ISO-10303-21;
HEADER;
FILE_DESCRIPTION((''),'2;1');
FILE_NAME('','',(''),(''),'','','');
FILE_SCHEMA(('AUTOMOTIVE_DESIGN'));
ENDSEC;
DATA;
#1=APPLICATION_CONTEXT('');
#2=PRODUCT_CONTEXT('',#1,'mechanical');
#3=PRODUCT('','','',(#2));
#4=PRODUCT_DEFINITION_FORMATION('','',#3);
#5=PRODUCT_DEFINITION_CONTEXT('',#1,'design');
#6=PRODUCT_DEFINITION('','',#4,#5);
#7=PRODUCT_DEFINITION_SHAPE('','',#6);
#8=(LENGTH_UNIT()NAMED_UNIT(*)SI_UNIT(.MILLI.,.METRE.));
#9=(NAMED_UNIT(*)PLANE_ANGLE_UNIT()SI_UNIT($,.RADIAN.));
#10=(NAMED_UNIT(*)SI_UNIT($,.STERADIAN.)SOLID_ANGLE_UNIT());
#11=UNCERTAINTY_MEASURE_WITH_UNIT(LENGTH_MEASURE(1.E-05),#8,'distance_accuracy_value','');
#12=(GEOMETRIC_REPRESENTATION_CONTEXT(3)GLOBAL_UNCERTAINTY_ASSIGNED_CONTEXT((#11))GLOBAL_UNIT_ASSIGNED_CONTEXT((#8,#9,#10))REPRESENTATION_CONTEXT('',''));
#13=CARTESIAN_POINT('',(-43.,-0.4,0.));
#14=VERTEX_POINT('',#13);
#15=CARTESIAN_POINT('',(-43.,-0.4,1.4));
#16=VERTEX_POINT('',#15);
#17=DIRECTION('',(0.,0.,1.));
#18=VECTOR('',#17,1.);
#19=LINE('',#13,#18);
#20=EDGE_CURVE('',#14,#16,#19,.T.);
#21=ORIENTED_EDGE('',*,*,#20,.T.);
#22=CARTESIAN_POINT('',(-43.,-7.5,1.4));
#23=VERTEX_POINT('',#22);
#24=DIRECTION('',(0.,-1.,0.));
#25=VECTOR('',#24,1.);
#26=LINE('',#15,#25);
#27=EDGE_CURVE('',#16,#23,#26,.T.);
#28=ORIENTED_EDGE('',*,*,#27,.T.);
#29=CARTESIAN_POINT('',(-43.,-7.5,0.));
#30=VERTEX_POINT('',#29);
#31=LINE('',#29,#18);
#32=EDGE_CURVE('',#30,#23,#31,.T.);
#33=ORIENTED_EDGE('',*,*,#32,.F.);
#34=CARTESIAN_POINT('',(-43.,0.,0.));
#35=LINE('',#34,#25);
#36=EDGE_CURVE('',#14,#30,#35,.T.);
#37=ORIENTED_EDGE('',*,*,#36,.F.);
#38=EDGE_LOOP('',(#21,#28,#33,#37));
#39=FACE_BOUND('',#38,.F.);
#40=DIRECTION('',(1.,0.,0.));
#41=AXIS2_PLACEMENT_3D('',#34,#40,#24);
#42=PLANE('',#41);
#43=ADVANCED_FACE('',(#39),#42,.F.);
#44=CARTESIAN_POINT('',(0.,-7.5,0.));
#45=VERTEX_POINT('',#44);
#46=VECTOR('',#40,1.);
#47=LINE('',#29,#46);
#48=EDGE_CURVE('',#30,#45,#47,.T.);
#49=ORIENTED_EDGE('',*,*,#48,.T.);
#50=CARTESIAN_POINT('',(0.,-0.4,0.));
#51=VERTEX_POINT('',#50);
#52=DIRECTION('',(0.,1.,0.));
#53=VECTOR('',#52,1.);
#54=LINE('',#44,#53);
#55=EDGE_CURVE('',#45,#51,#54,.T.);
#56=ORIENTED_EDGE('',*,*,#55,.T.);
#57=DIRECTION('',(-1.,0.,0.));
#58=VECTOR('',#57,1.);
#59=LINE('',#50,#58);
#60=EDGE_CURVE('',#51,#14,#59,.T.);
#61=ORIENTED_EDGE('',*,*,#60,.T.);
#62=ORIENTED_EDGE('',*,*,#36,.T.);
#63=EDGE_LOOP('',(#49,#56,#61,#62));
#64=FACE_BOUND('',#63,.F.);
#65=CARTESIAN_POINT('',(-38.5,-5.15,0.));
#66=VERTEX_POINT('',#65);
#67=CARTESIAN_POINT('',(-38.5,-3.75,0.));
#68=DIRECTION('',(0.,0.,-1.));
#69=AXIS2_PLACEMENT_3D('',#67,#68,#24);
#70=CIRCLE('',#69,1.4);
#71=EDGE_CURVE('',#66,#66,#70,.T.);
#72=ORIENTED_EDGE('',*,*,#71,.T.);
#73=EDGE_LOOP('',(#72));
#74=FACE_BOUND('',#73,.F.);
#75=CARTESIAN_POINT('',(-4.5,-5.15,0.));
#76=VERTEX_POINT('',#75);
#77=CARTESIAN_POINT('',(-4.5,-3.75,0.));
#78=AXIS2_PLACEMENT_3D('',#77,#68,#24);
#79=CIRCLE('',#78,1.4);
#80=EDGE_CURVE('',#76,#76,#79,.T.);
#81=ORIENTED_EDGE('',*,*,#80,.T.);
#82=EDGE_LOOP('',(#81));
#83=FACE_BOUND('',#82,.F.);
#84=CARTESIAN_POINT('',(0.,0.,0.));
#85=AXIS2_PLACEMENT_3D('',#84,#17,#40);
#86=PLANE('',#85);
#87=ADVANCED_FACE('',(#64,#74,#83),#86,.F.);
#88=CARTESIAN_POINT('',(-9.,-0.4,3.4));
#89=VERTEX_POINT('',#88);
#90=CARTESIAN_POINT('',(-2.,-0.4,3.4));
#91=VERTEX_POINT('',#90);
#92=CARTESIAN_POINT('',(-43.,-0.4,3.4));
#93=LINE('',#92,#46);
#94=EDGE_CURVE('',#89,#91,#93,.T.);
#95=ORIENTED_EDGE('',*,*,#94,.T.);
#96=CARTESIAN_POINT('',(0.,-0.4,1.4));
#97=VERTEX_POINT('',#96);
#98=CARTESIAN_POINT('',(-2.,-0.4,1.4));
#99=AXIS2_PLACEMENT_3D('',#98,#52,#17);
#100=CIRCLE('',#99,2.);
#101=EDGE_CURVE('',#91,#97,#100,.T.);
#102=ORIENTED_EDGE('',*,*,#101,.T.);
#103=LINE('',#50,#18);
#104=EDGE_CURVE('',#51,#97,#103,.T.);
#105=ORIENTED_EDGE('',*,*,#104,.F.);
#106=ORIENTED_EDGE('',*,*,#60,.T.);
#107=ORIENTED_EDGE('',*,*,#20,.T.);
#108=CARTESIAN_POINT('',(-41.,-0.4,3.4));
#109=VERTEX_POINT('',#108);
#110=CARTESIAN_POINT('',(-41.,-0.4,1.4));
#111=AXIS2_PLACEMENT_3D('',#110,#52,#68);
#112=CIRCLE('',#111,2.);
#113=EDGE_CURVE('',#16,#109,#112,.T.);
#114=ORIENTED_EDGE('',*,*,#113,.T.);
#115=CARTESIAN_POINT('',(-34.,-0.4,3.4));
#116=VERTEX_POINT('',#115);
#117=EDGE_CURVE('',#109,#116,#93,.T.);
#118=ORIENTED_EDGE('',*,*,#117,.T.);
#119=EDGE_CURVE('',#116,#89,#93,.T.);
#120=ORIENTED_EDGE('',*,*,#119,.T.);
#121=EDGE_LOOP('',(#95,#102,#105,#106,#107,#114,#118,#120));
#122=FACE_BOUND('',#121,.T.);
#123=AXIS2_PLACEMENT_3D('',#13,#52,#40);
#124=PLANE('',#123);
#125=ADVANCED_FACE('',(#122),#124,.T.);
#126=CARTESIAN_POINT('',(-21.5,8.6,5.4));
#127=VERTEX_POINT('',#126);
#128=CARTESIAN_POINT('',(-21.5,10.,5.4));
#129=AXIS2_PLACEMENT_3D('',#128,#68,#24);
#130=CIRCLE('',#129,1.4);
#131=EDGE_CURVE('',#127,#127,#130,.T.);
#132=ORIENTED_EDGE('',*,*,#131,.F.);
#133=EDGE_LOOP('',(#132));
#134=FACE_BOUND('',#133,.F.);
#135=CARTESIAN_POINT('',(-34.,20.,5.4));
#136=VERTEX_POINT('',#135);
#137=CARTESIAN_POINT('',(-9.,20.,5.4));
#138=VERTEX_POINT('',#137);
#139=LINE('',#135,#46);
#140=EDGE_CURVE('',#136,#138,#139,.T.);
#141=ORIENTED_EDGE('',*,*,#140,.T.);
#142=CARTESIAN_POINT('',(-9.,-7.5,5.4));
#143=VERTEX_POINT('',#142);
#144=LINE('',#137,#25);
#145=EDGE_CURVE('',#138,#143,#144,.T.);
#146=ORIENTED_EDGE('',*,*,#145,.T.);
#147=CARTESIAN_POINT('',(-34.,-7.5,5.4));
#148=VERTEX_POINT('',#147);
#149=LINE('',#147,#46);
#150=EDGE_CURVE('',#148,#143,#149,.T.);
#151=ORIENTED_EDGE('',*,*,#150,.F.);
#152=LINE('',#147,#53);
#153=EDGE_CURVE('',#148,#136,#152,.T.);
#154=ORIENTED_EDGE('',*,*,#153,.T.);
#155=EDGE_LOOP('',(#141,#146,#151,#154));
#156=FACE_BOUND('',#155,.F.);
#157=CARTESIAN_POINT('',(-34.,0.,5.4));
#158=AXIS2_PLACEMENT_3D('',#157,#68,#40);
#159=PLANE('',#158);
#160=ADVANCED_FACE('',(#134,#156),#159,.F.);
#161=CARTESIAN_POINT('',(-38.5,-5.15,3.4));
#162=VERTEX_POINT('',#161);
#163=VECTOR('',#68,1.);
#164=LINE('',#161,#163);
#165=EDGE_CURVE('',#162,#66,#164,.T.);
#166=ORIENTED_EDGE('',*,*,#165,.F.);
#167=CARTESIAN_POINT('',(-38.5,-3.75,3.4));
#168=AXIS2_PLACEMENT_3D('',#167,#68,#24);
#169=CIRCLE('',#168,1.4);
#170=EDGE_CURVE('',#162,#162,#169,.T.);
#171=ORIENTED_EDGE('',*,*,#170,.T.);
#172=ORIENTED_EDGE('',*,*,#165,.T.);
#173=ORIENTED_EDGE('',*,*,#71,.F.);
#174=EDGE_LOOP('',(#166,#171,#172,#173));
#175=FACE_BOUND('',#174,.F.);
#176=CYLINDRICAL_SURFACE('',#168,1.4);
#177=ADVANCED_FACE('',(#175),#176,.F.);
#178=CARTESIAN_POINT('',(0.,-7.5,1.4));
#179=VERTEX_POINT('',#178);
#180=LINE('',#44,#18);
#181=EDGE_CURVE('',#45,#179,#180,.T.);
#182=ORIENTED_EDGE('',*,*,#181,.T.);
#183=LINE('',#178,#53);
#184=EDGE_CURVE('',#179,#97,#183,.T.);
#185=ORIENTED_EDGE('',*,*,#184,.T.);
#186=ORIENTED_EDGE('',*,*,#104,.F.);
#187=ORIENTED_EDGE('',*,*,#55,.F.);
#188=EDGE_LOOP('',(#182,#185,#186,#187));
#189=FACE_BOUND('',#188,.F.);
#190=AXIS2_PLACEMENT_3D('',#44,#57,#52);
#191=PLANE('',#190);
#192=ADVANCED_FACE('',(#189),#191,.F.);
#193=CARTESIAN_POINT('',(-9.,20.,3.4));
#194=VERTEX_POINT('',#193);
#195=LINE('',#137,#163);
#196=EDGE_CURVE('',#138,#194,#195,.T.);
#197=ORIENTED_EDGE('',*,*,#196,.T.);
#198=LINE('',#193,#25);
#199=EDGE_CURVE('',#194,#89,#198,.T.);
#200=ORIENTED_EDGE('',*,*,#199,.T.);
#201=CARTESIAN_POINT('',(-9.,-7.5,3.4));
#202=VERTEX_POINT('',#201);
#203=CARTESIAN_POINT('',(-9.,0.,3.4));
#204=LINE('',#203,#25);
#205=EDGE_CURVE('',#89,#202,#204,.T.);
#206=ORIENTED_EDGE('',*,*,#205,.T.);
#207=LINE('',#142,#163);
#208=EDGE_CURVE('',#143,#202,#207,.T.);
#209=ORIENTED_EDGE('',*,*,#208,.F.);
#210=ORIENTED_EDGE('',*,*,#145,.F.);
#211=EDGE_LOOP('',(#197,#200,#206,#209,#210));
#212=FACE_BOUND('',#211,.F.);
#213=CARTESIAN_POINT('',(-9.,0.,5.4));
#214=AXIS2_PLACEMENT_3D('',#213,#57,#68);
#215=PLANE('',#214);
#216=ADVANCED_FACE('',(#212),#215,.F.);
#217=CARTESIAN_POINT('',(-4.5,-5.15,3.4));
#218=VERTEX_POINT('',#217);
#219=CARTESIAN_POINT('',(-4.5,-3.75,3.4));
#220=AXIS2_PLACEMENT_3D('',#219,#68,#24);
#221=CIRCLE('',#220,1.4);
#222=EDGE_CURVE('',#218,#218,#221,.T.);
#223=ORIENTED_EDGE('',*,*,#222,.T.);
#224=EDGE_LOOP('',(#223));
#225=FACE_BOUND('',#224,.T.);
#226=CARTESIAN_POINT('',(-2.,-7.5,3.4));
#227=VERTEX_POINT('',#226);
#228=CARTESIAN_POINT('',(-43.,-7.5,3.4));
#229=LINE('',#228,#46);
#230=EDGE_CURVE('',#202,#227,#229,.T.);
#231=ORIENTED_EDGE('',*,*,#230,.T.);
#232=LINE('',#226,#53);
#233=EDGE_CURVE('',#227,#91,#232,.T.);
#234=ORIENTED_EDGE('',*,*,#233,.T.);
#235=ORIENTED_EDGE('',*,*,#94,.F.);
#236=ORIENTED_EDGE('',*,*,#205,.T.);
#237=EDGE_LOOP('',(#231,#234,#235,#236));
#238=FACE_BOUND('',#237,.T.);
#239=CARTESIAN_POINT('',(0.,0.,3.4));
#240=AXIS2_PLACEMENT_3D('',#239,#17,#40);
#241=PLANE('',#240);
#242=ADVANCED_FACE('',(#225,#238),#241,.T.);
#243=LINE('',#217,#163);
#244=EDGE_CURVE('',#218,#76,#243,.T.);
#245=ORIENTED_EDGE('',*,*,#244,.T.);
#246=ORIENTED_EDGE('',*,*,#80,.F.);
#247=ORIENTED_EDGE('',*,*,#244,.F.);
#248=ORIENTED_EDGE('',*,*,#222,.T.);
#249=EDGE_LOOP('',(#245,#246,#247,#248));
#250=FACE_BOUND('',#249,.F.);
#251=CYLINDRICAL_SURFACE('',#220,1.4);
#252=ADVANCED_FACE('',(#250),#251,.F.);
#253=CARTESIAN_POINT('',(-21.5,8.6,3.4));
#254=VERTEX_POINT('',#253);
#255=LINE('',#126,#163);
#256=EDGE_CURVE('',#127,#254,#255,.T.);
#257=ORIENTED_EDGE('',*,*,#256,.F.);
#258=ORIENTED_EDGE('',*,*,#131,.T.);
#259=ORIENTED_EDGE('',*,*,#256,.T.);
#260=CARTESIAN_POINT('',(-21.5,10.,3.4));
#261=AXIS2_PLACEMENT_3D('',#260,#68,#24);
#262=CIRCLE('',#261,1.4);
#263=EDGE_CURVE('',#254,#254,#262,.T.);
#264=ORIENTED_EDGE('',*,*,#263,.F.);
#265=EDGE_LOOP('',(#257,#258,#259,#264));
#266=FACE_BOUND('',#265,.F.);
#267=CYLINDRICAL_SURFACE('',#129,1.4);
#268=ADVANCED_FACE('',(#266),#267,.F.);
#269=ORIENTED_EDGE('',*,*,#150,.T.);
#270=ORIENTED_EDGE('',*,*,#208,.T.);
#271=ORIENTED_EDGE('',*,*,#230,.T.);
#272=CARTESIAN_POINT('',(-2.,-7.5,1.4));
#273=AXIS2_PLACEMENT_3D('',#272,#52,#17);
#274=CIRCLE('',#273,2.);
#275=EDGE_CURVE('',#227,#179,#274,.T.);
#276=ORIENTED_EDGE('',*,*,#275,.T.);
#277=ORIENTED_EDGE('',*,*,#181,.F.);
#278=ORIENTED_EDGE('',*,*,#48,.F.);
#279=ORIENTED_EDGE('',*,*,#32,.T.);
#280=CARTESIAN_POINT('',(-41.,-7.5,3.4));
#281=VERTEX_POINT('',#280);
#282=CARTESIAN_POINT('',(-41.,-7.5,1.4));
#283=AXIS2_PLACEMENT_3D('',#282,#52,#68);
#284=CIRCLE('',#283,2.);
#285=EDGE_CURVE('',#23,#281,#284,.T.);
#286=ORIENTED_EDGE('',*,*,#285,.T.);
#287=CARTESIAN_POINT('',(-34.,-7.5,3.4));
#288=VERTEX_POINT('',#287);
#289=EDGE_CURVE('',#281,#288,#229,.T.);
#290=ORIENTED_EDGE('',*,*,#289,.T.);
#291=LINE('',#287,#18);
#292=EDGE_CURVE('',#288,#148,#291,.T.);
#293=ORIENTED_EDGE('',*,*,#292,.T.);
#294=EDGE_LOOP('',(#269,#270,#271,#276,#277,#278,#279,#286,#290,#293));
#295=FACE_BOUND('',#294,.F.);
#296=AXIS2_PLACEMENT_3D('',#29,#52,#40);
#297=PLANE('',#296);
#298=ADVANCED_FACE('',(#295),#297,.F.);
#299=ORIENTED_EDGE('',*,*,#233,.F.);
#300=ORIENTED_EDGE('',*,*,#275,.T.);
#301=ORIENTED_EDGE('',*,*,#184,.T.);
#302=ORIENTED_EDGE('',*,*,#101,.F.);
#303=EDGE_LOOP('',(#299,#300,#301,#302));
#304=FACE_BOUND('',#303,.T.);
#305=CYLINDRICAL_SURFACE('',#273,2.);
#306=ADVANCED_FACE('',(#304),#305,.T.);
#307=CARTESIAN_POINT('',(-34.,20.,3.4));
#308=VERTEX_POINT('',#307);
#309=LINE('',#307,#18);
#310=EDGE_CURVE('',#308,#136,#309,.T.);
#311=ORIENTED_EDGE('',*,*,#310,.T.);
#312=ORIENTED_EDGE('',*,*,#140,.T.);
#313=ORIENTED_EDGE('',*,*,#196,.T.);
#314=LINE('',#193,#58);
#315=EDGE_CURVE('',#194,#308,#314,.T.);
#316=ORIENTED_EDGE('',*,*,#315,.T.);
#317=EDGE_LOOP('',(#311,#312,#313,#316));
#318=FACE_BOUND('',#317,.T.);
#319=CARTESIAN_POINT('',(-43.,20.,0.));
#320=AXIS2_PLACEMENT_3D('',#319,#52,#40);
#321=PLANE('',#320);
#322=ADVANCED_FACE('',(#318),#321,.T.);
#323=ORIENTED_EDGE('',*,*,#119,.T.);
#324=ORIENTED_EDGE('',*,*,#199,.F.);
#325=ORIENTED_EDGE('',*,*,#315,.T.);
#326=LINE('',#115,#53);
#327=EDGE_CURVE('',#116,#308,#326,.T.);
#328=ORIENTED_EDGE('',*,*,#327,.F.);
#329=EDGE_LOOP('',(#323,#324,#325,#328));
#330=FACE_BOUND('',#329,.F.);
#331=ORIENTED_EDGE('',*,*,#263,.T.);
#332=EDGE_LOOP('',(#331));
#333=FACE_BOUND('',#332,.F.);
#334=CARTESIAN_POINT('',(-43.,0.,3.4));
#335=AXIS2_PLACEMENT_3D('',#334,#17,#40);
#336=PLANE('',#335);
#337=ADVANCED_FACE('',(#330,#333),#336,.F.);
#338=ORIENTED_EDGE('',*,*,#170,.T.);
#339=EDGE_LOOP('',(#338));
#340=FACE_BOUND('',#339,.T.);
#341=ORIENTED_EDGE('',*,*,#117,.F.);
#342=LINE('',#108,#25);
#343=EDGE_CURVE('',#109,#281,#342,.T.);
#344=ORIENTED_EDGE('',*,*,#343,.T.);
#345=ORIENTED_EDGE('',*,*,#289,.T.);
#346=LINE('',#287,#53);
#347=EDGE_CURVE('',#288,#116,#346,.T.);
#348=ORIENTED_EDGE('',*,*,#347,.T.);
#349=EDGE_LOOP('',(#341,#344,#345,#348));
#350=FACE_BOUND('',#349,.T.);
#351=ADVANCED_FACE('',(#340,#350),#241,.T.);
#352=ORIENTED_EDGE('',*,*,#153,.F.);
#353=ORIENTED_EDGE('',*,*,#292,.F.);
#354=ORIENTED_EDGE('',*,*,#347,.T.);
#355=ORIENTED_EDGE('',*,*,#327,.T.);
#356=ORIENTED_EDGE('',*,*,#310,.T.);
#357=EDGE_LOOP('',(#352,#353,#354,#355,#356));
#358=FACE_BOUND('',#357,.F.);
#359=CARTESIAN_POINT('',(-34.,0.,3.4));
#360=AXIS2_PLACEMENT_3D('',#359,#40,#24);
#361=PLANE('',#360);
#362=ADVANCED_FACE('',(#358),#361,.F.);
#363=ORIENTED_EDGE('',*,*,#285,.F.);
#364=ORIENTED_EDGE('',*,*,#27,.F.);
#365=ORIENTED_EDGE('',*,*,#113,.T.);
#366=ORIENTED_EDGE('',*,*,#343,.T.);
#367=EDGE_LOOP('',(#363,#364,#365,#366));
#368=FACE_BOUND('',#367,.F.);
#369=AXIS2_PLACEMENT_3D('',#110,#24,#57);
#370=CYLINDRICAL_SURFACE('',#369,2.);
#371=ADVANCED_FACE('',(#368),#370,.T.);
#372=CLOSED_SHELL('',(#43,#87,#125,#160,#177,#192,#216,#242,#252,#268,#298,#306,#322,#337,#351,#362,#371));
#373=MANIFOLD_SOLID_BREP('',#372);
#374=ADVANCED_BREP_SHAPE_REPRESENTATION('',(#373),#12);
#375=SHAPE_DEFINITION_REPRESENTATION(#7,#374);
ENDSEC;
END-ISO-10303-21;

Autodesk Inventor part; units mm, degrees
ref_plane "YZ Plane" through (0, 0, 0) normal (1, 0, 0) x (0, 1, 0)
ref_plane "XZ Plane" through (0, 0, 0) normal (0, 1, 0) x (-1, 0, 0)
ref_plane "XY Plane" through (0, 0, 0) normal (0, 0, 1) x (1, 0, 0)
sketch "Sketch1" plane through (0, 0, 0) normal (0, 0, 1) x (1, 0, 0)
  line L0 (0, 0) -> (-43, 0)
  line L1 (-43, 0) -> (-43, -7.5)
  line L2 (-43, -7.5) -> (0, -7.5)
  line L3 (0, -7.5) -> (0, 0)
  dimension "d0" = 43
  dimension "d1" = 7.5
extrude "Extrusion1" add sketch "Sketch1" along normal blind 3.4
sketch "Sketch3" plane through (0, 0, 3.4) normal (0, 0, 1) x (1, 0, 0)
  circle A0 centre (-38.5, -3.75) radius 1.5
  circle A1 centre (-4.5, -3.75) radius 1.5
  point P0 (0, 0)
  dimension "d4" = 3
  dimension "d5" = 3
hole "Hole1" at (-38.5, -3.75, 3.4) at (-4.5, -3.75, 3.4) direction (0, 0, -1) diameter 2.8 end through all
sketch "Sketch4" plane through (0, 0, 3.4) normal (0, 0, 1) x (1, 0, 0)
  line L0 (-43, 0) -> (-43, -7.5) projected
  line L1 (-43, 0) -> (-34, 0)
  line L2 (-34, 0) -> (-34, -3.75)
  line L3 (-34, -3.75) -> (-43, -3.75)
  line L4 (-43, -3.75) -> (-43, 0)
  line L5 (0, 0) -> (-9, 0)
  line L6 (-9, 0) -> (-9, -3.75)
  line L7 (-9, -3.75) -> (0, -3.75)
  line L8 (0, -3.75) -> (0, 0)
  line L9 (-9, 0) -> (-34, 0)
  line L10 (-34, 0) -> (-34, -2)
  line L11 (-34, -2) -> (-9, -2)
  line L12 (-9, -2) -> (-9, 0)
  dimension "d13" = 9
  dimension "d14" = 9
  dimension "d15" = 2
extrude "Extrusion2" add sketch "Sketch4" along normal blind 2 contours L9 L6 L11 L2
sketch "Sketch5" plane through (-43, 0, 0) normal (0, 1, 0) x (1, 0, 0)
  line L0 (43, -3.4) -> (34, -3.4) projected
  line L1 (9, -5.4) -> (34, -5.4) projected
  line L2 (34, -3.4) -> (9, -3.4)
  line L3 (9, -3.4) -> (9, -5.4)
  line L4 (9, -5.4) -> (34, -5.4)
  line L5 (34, -5.4) -> (34, -3.4)
  point P0 (43, 0)
extrude "Extrusion3" add sketch "Sketch5" along normal blind 20 and the other way blind 7.5
sketch "Sketch6" plane through (-43, 0, 0) normal (0, 1, 0) x (1, 0, 0)
  line L0 (43, 0) -> (43, -3.4) projected
  line L1 (0, 0) -> (0, -3.4) projected
  line L2 (43, 0) -> (0, 0)
  line L3 (0, 0) -> (0, -3.4)
  line L4 (0, -3.4) -> (43, -3.4)
  line L5 (43, -3.4) -> (43, 0)
  dimension "d22" = 43
extrude "Extrusion4" cut sketch "Sketch6" against normal blind 0.4
fillet "Fillet3" radius 2 1 edges at (-43, -3.95, 3.4)
fillet "Fillet4" radius 2 1 edges at (0, -3.95, 3.4)
sketch "Sketch7" plane through (0, 0, 5.4) normal (0, 0, 1) x (1, 0, 0)
  line L0 (-9, -7.5) -> (-34, -7.5) projected
  line L1 (-9, -7.5) -> (-21.5, -7.5)
  line L2 (-21.5, -7.5) -> (-21.5, 0)
  line L3 (-21.5, 0) -> (-9, 0)
  line L4 (-9, 0) -> (-9, -7.5)
  line L5 (-21.5, 0) -> (-21.5, 10)
  circle A0 centre (-21.5, 10) radius 1.4
  point P0 (0, 0)
  dimension "d32" = 12.5
  dimension "d33" = 7.5
  dimension "d34" = 10
  dimension "d35" = 2.8
hole "Hole2" at (-21.5, 10, 5.4) direction (0, 0, -1) diameter 2.8 end through all
properties part number "Enclosure clip simple"
